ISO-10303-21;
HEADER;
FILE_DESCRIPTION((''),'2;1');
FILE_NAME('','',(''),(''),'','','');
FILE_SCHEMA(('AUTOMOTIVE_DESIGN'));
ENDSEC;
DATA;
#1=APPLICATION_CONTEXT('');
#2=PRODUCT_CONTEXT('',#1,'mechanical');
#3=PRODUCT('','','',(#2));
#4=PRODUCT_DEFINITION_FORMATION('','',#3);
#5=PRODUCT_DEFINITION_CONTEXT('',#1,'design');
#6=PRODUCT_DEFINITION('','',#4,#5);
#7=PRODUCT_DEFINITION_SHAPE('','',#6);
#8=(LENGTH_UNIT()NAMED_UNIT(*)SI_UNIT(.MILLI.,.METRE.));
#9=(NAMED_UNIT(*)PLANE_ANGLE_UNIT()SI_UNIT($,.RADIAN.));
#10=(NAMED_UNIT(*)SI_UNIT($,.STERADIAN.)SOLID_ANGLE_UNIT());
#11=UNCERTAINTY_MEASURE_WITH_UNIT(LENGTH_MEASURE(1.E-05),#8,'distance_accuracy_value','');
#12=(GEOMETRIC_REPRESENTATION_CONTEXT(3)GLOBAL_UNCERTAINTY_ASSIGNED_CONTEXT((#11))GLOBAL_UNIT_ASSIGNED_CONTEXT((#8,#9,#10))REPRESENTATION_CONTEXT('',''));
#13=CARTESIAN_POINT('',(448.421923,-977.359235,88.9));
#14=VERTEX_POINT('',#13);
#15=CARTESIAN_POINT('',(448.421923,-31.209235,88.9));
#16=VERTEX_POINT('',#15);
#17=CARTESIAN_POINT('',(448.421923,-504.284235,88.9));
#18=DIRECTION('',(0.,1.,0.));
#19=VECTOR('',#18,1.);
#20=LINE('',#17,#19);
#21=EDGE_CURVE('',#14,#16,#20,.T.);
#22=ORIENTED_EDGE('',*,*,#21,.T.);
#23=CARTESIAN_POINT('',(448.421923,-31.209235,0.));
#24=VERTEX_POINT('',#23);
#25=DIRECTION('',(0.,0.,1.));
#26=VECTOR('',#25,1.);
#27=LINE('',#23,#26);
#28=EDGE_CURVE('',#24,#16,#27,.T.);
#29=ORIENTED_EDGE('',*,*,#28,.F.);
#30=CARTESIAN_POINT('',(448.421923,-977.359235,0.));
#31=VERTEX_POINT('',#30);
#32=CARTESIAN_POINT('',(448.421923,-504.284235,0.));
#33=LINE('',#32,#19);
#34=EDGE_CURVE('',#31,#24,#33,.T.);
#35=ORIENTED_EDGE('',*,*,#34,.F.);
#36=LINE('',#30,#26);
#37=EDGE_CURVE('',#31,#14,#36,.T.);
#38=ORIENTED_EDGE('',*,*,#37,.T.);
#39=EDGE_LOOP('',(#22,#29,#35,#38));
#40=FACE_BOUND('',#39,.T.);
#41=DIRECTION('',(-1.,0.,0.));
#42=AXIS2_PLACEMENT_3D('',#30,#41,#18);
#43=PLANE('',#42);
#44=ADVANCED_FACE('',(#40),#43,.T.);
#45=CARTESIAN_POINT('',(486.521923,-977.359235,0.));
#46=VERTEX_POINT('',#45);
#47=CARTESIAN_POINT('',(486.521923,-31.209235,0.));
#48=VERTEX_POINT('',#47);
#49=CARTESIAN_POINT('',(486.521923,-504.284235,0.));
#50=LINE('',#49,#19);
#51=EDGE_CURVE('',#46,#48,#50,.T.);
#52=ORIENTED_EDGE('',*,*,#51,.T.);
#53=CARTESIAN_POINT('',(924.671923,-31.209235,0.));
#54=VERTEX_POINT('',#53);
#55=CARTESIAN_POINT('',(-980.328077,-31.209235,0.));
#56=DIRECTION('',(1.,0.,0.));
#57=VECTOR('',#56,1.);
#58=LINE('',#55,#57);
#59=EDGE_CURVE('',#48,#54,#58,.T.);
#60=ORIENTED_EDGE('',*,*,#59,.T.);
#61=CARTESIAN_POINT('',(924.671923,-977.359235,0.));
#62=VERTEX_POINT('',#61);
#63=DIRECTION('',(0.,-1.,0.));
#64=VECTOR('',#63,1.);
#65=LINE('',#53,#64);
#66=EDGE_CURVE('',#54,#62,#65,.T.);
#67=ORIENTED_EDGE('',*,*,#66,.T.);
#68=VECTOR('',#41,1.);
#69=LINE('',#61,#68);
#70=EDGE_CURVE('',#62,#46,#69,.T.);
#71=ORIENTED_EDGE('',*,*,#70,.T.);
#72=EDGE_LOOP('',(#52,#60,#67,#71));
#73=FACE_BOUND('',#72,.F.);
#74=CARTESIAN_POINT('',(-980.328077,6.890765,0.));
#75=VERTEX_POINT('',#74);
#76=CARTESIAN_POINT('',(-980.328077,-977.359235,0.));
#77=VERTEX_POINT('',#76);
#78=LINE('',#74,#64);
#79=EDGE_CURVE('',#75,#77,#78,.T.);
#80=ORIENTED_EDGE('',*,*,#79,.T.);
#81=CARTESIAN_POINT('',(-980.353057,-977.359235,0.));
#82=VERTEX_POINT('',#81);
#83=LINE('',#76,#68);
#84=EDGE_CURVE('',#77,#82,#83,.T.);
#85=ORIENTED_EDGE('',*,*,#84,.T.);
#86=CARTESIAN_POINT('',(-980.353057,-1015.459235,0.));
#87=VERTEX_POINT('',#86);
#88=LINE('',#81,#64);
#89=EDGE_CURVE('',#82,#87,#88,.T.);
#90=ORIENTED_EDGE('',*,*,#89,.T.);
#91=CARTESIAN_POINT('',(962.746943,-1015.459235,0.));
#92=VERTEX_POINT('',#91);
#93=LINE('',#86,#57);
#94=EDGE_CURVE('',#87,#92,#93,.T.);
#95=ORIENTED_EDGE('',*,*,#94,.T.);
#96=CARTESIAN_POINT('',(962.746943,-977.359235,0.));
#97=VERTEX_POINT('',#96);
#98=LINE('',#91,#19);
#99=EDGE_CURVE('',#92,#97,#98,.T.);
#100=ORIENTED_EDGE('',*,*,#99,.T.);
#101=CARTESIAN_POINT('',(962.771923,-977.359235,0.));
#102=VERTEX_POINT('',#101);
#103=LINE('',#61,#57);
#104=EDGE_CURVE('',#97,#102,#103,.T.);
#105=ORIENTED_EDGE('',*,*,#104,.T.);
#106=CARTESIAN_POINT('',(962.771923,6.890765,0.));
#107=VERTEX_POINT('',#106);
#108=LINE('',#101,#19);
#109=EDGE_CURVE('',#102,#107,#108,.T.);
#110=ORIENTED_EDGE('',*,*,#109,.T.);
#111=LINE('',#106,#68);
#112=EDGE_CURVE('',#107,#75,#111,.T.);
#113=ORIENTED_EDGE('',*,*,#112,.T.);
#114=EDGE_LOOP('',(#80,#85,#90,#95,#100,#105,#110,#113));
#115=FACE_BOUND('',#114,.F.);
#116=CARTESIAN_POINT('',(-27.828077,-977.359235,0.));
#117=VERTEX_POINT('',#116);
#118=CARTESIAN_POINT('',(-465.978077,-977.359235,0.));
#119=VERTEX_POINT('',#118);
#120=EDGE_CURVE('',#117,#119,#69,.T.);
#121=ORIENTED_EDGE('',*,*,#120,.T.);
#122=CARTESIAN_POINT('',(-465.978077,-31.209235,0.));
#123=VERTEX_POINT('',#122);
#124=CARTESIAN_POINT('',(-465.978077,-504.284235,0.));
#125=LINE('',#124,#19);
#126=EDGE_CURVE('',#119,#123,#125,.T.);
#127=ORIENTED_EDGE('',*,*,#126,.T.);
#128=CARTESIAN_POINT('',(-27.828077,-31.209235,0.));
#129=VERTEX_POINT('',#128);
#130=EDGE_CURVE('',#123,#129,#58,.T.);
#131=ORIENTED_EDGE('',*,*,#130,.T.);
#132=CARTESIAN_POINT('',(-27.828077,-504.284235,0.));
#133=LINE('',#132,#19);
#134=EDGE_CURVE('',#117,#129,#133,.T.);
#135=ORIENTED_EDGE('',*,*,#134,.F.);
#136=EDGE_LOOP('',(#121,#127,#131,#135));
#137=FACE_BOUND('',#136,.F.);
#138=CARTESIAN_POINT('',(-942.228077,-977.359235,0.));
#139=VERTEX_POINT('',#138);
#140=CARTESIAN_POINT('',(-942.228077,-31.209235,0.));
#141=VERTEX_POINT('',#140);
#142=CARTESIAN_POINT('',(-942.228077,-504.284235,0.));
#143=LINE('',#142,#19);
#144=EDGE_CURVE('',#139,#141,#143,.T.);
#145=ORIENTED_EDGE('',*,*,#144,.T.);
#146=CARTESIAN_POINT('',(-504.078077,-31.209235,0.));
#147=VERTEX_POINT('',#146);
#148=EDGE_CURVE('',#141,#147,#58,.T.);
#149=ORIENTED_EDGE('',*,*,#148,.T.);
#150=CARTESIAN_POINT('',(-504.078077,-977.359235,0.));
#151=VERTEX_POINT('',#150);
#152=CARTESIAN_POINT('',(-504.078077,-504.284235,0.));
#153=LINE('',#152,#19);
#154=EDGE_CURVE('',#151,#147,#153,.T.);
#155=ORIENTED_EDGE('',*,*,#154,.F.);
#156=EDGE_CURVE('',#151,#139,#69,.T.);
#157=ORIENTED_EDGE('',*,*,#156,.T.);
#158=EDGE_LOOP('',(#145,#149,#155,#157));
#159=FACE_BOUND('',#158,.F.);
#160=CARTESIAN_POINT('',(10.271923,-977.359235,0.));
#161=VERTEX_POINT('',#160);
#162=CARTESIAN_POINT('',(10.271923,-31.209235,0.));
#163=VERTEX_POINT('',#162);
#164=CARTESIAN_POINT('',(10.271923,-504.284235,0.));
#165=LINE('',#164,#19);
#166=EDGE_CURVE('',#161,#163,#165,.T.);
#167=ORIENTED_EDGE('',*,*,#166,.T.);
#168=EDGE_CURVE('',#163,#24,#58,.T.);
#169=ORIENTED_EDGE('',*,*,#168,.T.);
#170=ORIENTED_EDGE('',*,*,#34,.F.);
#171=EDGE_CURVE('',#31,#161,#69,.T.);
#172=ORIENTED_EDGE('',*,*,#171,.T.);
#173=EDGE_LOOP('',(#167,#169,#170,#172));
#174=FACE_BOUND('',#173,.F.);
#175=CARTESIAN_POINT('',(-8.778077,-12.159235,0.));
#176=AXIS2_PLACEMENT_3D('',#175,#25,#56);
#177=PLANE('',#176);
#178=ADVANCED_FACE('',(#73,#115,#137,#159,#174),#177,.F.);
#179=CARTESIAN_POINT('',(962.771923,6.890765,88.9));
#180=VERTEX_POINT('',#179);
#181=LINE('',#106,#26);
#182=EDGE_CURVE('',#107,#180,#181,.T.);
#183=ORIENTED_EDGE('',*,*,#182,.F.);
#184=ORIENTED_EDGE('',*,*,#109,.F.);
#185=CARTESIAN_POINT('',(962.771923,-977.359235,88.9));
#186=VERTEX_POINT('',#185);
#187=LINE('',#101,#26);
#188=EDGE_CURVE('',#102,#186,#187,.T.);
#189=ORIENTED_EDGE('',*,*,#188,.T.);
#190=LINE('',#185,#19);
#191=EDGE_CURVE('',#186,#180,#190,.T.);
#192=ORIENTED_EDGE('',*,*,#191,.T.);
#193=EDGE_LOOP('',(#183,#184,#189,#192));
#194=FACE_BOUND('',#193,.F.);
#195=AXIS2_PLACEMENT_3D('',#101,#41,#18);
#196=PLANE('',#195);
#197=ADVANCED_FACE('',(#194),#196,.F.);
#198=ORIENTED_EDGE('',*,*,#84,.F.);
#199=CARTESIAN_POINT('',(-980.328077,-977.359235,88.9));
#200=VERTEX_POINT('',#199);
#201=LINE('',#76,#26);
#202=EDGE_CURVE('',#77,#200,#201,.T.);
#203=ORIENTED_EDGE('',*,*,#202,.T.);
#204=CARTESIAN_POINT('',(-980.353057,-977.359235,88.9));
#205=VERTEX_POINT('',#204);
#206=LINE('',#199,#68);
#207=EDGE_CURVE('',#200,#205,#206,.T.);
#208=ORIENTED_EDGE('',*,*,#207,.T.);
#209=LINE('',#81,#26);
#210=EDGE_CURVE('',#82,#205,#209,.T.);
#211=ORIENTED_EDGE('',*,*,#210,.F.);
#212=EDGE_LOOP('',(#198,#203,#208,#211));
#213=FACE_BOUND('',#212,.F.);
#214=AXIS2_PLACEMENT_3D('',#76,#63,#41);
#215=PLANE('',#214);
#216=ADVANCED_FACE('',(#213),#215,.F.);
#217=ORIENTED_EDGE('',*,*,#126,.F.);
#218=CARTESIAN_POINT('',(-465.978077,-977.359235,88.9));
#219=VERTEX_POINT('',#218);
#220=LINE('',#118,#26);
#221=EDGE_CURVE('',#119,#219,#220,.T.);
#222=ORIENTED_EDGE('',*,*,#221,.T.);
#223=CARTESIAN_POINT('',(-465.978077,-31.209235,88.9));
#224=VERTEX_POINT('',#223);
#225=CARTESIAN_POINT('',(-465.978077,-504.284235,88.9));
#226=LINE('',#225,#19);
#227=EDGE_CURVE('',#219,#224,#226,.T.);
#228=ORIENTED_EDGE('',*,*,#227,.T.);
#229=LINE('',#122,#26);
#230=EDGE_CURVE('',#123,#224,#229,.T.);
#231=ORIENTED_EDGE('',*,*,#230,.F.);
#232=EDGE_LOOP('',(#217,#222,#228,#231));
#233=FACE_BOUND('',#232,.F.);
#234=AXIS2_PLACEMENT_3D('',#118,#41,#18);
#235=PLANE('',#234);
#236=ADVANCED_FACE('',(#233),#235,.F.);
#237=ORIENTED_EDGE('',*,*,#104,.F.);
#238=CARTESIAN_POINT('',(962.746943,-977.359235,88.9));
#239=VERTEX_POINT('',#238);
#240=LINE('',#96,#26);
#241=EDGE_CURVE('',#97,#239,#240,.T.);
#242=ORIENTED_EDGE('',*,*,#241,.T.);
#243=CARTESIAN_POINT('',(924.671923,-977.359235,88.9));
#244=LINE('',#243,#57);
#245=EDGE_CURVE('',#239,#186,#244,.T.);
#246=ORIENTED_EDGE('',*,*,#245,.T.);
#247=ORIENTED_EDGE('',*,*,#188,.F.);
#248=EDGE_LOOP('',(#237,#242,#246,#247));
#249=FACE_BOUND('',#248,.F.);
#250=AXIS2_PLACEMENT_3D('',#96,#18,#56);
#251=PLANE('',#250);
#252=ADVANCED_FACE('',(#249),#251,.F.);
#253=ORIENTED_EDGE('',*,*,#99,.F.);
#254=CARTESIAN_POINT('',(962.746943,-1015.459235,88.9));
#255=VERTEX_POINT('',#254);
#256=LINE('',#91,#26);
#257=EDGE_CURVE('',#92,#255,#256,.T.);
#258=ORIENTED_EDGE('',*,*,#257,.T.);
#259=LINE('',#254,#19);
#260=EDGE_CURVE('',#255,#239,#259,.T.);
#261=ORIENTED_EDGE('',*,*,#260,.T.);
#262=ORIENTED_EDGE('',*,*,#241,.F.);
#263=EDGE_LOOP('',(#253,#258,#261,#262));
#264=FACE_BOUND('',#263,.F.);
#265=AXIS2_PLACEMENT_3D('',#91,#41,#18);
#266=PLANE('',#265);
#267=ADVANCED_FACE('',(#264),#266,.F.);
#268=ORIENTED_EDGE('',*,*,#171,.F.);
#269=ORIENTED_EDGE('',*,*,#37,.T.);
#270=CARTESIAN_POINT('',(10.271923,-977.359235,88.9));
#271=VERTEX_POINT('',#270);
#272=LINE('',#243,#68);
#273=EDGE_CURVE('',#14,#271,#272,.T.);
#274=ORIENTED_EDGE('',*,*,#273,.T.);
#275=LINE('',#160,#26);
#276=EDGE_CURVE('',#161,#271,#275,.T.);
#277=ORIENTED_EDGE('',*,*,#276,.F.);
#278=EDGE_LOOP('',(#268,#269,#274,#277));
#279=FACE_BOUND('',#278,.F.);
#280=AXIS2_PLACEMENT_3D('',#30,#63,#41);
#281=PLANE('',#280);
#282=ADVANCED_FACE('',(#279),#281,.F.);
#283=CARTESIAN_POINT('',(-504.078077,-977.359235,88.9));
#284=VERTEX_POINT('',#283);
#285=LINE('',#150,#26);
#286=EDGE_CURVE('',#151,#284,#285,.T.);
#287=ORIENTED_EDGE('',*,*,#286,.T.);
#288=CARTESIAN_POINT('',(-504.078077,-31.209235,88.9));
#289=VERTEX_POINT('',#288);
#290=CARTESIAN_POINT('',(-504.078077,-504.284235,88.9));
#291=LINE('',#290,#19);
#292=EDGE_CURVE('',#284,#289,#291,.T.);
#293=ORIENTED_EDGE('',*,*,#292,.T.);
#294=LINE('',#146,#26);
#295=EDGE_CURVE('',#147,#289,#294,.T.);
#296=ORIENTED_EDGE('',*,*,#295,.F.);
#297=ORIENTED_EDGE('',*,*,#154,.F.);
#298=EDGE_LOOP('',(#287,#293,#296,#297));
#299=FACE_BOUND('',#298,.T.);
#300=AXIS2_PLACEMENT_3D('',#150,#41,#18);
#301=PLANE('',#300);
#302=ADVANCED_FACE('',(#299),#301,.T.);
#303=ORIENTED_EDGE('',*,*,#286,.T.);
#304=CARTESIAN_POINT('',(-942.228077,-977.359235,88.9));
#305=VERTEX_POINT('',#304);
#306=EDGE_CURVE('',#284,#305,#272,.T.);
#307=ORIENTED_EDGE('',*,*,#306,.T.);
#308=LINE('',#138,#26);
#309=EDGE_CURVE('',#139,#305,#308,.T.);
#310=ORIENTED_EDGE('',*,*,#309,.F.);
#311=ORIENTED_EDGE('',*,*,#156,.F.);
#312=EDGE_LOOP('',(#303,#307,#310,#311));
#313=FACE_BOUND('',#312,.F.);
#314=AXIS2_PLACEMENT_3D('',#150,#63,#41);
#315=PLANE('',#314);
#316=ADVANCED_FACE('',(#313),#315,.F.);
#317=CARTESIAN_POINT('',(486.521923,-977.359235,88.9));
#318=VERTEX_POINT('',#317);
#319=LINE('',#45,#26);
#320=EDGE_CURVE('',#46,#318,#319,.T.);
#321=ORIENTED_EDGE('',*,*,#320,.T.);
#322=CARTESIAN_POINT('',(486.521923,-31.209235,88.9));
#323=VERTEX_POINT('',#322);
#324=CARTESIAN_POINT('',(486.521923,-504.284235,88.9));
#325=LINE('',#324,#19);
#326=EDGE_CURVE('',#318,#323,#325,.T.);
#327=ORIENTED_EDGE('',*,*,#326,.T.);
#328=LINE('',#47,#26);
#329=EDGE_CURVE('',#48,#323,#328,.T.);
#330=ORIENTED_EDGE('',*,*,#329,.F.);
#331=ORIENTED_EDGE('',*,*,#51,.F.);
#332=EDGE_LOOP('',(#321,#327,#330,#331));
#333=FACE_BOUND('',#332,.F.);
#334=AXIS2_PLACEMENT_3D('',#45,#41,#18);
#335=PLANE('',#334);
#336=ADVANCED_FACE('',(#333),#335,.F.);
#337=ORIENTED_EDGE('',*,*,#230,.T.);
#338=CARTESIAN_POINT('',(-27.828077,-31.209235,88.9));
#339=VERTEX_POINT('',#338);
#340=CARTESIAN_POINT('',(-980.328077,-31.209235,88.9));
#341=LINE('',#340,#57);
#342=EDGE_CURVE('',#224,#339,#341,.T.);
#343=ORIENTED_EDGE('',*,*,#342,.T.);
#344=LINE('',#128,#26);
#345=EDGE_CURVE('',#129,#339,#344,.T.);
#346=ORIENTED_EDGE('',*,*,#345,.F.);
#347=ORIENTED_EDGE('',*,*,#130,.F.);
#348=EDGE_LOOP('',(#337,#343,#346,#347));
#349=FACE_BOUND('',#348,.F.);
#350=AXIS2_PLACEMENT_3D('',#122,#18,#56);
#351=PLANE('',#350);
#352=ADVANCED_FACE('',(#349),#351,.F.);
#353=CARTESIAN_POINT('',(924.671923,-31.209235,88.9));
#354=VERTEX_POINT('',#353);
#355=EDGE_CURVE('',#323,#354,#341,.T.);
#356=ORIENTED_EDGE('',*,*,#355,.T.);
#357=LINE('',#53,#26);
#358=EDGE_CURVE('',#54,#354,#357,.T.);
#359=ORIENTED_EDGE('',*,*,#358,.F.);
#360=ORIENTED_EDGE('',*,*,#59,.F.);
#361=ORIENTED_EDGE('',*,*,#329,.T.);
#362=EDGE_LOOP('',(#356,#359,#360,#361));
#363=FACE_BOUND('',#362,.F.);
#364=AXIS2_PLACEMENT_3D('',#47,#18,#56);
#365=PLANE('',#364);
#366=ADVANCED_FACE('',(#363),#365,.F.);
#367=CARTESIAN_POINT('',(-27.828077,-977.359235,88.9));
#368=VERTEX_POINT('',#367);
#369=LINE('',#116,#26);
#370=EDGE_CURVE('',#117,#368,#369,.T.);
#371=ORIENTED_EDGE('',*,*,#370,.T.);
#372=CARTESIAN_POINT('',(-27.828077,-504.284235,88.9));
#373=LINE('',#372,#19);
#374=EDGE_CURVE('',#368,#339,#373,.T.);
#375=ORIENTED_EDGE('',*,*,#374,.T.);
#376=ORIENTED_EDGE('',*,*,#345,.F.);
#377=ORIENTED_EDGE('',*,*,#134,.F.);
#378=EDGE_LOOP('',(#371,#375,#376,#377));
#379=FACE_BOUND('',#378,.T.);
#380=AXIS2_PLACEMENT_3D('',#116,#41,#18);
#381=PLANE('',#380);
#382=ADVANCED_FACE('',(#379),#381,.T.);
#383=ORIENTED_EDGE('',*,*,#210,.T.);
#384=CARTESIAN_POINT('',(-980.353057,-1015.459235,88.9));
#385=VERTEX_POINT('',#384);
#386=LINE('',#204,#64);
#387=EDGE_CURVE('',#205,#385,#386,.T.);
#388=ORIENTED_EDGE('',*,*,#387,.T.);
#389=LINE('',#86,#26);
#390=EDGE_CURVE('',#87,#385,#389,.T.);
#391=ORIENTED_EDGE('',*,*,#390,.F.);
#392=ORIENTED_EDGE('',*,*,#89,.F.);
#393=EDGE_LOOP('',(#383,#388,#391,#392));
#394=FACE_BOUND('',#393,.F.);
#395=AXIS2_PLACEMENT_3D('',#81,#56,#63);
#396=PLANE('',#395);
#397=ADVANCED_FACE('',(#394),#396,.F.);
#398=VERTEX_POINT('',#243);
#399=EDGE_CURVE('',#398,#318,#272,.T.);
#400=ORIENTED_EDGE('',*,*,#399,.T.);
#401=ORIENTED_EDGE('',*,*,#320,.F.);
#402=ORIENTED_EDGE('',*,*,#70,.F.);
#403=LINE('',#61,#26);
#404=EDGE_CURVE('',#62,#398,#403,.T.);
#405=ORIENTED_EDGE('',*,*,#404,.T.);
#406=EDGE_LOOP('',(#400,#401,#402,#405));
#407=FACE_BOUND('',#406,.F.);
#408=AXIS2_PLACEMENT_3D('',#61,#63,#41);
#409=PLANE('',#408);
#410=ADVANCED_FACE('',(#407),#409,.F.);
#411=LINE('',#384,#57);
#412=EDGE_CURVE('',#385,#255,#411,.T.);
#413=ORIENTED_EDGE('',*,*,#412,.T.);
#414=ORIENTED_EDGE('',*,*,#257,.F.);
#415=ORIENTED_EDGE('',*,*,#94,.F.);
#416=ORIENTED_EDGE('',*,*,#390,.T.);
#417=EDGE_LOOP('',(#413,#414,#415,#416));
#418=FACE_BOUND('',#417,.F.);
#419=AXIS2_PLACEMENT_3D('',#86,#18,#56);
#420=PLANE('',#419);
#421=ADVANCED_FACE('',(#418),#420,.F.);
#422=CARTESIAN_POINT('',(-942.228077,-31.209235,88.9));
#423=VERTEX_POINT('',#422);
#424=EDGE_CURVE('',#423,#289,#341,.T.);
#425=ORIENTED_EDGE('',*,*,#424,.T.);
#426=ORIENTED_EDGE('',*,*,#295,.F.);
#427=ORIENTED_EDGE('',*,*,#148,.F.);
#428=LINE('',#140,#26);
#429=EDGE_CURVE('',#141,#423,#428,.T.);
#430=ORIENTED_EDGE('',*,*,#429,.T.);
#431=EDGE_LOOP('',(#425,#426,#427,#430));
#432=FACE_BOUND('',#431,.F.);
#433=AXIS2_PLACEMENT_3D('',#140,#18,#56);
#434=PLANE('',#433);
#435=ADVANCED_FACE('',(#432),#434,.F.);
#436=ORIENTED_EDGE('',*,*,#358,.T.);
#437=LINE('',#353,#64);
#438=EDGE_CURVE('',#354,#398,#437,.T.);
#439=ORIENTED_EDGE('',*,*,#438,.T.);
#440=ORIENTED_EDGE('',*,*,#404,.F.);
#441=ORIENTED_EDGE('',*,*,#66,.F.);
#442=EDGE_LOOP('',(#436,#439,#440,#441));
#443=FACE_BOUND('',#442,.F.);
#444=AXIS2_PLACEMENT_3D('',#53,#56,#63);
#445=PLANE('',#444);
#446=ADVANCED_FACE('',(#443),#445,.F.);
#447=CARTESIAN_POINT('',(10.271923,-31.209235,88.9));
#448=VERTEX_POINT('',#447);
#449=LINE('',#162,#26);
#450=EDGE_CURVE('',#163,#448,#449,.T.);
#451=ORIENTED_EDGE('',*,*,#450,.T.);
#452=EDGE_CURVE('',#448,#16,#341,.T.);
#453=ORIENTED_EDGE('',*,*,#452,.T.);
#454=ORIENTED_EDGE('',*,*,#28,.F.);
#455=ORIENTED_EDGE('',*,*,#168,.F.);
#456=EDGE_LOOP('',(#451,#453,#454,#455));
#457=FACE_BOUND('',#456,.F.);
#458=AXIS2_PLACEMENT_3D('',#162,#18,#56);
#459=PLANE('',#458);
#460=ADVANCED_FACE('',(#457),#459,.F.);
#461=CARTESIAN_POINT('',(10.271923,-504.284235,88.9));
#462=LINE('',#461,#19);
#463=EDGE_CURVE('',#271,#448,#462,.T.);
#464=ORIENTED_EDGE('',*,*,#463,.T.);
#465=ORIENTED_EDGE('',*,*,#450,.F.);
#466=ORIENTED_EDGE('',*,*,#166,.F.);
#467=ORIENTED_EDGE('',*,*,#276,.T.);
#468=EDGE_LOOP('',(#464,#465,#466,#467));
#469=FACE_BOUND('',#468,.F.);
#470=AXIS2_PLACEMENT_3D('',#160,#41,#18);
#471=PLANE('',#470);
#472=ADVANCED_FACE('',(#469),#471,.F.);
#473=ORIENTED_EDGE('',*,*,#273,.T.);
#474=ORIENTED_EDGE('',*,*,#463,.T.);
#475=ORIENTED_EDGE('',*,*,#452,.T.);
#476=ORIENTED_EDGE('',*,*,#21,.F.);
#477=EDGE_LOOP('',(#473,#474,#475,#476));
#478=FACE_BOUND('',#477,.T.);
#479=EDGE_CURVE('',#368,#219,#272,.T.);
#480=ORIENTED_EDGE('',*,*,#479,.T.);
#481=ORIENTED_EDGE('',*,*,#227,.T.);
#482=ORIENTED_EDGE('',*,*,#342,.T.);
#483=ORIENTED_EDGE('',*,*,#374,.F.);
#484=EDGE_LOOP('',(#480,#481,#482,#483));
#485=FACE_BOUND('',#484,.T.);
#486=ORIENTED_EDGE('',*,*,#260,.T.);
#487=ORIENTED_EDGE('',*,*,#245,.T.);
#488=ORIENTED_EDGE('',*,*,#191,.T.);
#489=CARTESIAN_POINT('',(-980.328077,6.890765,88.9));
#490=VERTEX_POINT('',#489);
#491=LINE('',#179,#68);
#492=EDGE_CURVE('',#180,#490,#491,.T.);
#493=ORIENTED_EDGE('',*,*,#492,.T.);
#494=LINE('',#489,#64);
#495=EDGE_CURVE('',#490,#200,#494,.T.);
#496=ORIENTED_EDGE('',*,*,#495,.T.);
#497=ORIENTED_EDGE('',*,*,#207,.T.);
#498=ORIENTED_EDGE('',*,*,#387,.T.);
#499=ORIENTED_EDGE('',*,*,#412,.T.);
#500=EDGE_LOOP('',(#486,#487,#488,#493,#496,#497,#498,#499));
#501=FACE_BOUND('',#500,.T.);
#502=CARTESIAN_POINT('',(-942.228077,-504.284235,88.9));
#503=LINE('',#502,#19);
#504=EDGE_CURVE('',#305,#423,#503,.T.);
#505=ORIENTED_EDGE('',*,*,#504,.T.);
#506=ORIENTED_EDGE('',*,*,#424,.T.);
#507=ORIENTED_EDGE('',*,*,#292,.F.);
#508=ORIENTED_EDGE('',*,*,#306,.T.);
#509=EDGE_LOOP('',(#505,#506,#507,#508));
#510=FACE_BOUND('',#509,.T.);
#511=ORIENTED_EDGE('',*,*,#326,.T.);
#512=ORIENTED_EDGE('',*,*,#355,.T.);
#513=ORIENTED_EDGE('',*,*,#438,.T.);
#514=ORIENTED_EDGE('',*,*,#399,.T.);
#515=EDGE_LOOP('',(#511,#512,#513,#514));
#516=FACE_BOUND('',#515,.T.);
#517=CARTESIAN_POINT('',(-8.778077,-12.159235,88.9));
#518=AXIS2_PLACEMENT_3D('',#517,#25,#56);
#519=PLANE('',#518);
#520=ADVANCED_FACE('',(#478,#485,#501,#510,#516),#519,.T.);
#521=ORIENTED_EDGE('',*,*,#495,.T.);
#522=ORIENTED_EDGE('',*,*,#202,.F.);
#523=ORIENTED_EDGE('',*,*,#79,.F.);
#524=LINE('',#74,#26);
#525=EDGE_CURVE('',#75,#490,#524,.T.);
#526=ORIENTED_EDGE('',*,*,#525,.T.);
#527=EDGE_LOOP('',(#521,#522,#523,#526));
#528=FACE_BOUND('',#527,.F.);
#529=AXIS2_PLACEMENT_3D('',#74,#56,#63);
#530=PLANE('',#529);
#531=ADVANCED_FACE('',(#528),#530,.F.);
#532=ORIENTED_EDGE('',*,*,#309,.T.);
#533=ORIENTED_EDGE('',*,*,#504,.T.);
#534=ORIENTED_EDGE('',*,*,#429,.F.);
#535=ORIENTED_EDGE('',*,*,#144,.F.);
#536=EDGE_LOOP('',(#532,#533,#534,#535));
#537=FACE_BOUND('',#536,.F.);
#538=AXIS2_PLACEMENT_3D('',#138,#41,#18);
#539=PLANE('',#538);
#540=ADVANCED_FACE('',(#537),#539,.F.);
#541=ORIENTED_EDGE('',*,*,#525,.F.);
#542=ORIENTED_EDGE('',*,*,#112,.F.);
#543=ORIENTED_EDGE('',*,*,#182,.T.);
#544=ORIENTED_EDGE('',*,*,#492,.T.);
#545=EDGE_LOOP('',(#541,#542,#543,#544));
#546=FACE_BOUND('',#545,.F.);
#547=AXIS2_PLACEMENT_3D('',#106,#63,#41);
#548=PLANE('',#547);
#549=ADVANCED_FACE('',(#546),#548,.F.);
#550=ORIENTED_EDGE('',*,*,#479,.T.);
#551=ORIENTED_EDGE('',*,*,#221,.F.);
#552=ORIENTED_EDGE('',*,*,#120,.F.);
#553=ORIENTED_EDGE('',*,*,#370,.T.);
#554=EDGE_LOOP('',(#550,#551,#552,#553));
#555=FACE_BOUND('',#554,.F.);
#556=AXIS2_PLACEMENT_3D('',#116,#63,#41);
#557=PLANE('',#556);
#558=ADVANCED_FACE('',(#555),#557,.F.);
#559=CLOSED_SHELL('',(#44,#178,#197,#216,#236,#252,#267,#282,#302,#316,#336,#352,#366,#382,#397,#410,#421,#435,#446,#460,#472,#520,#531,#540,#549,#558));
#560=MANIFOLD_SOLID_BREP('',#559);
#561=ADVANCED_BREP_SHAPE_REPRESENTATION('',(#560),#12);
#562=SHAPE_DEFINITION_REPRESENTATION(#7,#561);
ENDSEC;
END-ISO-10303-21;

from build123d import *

# Parameters (mm, degrees)
F0_W     = 38.1
F0_H     = 946.15
F1_DEPTH = 88.9


with BuildPart() as f1:
    # F0 (on Top) → F1 (new body)
    with BuildSketch(Plane.XY):
        Polygon((962.771923, 6.890765), (-980.328077, 6.890765), (-980.328077, -31.209235), (-942.228077, -31.209235), (-504.078077, -31.209235), (-465.978077, -31.209235), (-27.828077, -31.209235), (10.271923, -31.209235), (448.421923, -31.209235), (486.521923, -31.209235), (924.671923, -31.209235), (962.771923, -31.209235), align=None)
        with Locations((-961.278077, -504.284235)):
            Rectangle(F0_W, F0_H)
        Polygon((962.771923, -977.359235), (962.771923, -31.209235), (924.671923, -31.209235), (924.671923, -977.359235), (962.746943, -977.359235), align=None)
        Polygon((-942.228077, -977.359235), (-980.328077, -977.359235), (-980.353057, -977.359235), (-980.353057, -1015.459235), (962.746943, -1015.459235), (962.746943, -977.359235), (924.671923, -977.359235), (486.521923, -977.359235), (448.421923, -977.359235), (10.271923, -977.359235), (-27.828077, -977.359235), (-465.978077, -977.359235), (-504.078077, -977.359235), align=None)
        with Locations((-485.028077, -504.284235)):
            Rectangle(F0_W, F0_H)
        with Locations((-8.778077, -504.284235)):
            Rectangle(F0_W, F0_H)
        with Locations((467.471923, -504.284235)):
            Rectangle(F0_W, F0_H)
    extrude(amount=F1_DEPTH)


solid = f1.part
